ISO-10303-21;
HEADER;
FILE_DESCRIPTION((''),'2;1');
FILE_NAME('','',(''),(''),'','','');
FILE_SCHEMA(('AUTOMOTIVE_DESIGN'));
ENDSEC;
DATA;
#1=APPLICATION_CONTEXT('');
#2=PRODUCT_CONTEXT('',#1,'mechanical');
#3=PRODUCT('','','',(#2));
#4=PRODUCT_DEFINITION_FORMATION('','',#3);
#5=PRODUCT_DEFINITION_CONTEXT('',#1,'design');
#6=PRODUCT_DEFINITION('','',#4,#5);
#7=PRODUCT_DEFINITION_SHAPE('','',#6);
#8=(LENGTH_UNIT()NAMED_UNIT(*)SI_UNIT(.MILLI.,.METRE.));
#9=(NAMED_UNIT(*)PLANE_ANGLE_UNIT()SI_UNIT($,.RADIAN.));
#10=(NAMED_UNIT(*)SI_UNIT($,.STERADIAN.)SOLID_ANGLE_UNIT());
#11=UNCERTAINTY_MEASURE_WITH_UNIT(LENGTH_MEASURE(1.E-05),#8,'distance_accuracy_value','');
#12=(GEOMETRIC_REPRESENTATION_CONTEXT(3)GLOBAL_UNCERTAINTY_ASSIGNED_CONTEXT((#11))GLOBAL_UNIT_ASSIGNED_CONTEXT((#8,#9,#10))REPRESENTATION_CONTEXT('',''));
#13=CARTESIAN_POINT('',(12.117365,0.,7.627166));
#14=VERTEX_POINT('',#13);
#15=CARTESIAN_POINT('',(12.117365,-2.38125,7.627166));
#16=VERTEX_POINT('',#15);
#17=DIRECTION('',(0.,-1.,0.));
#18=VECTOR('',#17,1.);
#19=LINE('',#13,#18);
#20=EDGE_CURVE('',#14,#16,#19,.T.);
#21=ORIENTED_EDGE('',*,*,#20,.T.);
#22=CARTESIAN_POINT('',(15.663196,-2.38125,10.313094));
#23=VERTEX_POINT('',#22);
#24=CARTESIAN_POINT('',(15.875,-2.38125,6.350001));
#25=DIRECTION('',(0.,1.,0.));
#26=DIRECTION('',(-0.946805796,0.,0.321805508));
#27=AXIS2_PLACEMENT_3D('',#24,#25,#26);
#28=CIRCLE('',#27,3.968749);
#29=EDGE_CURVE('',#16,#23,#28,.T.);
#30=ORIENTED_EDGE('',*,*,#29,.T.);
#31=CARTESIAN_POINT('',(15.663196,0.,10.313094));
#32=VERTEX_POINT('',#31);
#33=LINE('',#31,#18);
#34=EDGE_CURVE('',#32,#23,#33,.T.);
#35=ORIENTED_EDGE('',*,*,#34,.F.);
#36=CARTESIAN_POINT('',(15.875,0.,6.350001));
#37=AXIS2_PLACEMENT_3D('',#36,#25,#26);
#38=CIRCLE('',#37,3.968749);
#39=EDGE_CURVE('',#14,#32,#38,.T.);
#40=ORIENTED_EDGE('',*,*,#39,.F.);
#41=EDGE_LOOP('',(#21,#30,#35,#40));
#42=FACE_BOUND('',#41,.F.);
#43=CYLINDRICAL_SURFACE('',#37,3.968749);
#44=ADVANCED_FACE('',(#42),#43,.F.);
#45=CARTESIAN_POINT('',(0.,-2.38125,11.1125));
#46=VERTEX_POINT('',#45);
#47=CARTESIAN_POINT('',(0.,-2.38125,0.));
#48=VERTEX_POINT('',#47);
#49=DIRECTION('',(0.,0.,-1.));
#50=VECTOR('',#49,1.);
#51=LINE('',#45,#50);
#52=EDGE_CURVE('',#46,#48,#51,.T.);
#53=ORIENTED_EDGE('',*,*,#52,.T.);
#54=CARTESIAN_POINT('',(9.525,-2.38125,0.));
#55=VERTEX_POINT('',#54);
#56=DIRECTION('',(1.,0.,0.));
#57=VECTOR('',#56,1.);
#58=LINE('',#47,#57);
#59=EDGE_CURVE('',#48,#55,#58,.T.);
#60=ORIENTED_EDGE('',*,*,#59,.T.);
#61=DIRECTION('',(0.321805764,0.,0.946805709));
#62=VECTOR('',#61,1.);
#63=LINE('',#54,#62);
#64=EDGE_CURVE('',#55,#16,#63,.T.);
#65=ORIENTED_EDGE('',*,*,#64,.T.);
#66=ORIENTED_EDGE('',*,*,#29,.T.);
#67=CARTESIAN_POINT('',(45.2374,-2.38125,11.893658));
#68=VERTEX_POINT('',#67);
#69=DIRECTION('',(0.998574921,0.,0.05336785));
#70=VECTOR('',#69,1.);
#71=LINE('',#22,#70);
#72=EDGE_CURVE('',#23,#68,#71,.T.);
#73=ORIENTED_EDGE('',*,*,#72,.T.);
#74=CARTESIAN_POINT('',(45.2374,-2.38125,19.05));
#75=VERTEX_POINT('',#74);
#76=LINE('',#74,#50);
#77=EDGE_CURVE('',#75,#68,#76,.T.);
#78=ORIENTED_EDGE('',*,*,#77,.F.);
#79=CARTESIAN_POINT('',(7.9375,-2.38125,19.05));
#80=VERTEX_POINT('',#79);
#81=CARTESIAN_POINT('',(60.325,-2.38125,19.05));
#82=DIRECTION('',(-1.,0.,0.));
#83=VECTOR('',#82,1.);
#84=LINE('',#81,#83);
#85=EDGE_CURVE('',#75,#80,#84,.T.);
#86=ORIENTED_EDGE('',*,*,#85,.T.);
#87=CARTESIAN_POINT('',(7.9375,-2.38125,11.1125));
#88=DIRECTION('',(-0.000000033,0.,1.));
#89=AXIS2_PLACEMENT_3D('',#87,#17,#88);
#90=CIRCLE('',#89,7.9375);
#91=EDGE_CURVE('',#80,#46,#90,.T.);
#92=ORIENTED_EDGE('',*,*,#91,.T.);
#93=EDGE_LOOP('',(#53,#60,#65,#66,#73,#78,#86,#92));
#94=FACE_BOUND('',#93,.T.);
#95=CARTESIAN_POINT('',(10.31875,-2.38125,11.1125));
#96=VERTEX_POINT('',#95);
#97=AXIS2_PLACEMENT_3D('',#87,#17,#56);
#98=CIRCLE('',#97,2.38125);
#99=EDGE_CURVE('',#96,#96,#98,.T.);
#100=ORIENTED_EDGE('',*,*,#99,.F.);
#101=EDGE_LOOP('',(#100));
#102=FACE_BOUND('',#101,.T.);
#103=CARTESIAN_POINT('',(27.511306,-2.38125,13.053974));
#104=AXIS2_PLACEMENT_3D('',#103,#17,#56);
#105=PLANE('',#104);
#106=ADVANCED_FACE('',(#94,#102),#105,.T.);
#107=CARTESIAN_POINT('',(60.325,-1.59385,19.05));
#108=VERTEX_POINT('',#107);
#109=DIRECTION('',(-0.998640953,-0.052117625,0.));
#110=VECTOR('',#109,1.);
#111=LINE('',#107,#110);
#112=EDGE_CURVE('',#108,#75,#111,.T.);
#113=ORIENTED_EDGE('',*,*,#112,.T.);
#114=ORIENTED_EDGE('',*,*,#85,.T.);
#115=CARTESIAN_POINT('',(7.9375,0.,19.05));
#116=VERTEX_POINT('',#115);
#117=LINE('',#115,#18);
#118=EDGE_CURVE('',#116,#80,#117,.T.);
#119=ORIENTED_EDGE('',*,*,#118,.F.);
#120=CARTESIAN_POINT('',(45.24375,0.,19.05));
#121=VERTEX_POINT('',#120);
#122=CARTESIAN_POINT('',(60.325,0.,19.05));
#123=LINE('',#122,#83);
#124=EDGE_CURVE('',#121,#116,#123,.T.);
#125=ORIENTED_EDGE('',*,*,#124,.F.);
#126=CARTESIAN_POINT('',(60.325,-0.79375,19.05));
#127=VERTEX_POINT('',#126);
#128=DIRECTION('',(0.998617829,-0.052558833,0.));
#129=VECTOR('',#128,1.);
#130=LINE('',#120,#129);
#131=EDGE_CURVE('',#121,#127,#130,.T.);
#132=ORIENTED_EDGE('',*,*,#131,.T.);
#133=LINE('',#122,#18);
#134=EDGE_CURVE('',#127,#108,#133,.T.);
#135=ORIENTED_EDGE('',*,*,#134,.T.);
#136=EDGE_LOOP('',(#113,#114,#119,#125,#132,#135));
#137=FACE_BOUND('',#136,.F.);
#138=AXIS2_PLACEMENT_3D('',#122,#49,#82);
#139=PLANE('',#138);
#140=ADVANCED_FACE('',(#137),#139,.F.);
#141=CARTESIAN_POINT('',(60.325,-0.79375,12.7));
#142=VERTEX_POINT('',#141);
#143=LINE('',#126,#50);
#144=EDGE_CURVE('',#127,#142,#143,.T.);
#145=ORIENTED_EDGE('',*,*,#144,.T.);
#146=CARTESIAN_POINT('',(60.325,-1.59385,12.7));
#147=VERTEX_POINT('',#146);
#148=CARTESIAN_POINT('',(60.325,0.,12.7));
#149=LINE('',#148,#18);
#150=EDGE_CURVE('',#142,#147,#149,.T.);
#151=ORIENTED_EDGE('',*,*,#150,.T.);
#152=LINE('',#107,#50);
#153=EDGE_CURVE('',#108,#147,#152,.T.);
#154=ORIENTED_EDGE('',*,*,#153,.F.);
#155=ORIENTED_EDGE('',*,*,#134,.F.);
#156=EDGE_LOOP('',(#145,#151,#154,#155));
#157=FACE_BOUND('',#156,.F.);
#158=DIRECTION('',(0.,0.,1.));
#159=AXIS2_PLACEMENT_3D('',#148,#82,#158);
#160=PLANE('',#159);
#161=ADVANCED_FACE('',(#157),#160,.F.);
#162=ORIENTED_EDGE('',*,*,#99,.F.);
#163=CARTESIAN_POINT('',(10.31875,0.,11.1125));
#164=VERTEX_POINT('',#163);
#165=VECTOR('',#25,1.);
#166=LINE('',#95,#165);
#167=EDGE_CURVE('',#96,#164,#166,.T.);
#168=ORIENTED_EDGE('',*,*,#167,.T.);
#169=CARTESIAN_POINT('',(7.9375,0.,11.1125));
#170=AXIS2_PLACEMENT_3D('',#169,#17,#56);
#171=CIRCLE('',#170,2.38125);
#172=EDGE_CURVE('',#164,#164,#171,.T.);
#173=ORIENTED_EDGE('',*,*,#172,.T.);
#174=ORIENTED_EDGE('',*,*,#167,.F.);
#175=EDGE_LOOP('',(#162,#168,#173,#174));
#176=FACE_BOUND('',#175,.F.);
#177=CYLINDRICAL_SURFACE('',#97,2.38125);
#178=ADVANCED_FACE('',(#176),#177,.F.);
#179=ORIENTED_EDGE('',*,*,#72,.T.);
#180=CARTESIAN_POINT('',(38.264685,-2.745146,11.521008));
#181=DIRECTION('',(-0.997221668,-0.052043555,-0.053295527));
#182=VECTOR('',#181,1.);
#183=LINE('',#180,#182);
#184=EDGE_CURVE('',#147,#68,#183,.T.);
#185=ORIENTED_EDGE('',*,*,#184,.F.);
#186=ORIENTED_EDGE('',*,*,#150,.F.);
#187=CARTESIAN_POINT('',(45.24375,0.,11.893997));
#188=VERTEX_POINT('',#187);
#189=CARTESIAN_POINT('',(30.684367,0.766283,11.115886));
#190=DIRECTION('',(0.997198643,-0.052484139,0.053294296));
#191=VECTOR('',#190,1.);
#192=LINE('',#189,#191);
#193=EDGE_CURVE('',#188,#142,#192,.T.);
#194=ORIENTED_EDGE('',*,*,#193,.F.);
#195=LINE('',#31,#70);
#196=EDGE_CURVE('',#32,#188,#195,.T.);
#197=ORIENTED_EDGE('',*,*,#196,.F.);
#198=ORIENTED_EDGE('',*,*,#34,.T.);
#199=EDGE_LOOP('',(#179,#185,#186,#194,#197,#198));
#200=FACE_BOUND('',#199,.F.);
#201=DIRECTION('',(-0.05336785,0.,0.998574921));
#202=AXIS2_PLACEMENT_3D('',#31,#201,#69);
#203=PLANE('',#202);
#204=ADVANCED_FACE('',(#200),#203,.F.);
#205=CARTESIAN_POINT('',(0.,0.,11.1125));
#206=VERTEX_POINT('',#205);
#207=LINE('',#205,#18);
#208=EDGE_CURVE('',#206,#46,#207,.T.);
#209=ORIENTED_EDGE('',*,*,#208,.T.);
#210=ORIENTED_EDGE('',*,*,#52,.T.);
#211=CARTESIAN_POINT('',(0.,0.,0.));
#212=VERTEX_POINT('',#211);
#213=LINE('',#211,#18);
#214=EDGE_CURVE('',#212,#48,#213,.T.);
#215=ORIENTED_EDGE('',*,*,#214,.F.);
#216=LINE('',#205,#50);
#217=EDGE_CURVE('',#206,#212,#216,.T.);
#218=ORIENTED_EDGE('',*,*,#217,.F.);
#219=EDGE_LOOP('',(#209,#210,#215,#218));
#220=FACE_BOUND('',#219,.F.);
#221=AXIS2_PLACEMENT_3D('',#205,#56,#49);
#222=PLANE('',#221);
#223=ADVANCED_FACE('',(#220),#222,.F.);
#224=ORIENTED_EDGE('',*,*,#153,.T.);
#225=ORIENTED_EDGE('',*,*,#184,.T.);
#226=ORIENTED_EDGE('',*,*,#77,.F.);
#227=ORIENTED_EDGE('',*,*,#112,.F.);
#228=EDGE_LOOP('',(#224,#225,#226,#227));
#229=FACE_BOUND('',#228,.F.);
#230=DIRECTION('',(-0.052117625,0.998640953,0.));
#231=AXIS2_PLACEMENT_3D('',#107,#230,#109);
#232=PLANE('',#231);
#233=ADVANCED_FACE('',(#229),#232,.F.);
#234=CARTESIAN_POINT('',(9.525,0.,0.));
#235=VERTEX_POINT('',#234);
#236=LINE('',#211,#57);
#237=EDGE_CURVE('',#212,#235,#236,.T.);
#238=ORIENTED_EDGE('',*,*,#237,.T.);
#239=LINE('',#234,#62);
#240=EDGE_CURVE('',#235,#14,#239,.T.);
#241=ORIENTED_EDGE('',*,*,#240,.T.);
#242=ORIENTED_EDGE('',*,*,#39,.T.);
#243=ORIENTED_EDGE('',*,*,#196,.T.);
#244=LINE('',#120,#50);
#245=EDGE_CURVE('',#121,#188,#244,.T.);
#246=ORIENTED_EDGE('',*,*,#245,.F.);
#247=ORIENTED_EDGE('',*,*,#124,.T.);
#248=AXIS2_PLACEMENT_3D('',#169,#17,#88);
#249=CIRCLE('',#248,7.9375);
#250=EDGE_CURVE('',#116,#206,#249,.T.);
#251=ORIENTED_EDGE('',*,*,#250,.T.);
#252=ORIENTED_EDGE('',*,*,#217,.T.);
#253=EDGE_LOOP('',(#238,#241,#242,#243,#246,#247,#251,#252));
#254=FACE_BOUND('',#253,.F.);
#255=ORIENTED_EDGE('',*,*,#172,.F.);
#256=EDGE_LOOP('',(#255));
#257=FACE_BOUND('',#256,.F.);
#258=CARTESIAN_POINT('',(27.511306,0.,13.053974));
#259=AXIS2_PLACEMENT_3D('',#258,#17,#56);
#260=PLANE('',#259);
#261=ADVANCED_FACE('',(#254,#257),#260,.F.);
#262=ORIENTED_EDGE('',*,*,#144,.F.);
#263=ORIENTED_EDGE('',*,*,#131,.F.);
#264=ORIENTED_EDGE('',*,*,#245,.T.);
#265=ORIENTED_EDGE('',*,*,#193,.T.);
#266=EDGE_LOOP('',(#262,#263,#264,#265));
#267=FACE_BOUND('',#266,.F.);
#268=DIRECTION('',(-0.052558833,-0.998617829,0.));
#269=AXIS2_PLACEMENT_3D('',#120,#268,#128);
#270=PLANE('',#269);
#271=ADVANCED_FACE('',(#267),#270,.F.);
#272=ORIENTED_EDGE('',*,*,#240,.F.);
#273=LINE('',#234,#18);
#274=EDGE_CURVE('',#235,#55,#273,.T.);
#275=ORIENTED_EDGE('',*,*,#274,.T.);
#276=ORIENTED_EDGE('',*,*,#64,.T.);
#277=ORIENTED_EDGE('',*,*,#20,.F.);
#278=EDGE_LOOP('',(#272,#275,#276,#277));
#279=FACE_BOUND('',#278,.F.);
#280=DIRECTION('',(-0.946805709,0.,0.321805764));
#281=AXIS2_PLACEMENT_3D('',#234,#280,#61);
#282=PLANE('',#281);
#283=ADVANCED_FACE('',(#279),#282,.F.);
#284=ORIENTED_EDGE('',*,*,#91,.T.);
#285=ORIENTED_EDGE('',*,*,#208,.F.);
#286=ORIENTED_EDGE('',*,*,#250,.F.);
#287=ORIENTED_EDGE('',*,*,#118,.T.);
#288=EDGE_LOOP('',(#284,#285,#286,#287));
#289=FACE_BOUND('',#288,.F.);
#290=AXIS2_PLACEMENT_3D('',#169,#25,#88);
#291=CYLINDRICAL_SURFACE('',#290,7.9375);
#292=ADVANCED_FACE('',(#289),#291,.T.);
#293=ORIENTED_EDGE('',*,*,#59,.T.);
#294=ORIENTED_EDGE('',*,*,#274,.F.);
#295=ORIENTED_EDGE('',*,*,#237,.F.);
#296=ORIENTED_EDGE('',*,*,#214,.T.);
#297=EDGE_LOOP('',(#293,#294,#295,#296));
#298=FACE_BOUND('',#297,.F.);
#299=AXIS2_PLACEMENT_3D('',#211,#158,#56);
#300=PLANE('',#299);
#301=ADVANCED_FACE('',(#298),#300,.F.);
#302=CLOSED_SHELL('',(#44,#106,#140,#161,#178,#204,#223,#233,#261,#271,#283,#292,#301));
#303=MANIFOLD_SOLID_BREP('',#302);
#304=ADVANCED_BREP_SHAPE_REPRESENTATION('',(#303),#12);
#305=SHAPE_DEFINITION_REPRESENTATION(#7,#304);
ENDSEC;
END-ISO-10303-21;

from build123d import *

# Parameters (mm, degrees)
F1_DEPTH = 2.38125
F2_R     = 2.38125
F3_DEPTH = 25.4
F5_DEPTH = 25.4


with BuildPart() as f1:
    # F0 (on Front) → F1 (new body)
    with BuildSketch(Plane.XZ):
        with BuildLine():
            Line((60.325, 19.05), (7.9375, 19.05))
            ThreePointArc((7.9375, 19.05), (2.32484, 16.72516), (0, 11.1125))
            Line((0, 11.1125), (0, 0))
            Line((0, 0), (9.525, 0))
            Line((9.525, 0), (12.117365, 7.627166))
            ThreePointArc((12.117365, 7.627166), (13.478615, 9.513592), (15.663196, 10.313094))
            Line((15.663196, 10.313094), (60.325, 12.7))
            Line((60.325, 12.7), (60.325, 19.05))
        make_face()
    extrude(amount=F1_DEPTH)

    # F2 (on face) → F3 (cut)
    with BuildSketch(Plane.XZ.offset(2.38125)):
        with Locations((7.9375, 11.1125)):
            Circle(F2_R)
    extrude(amount=-F3_DEPTH, mode=Mode.SUBTRACT)

    # F4 (on face) → F5 (cut)
    with BuildSketch(Plane.XY.offset(19.05)):
        Polygon((60.325, -2.38125), (60.325, -1.59385), (45.2374, -2.38125), align=None)
        Polygon((60.325, 0), (45.24375, 0), (60.325, -0.79375), align=None)
    extrude(amount=-F5_DEPTH, mode=Mode.SUBTRACT)


solid = f1.part
